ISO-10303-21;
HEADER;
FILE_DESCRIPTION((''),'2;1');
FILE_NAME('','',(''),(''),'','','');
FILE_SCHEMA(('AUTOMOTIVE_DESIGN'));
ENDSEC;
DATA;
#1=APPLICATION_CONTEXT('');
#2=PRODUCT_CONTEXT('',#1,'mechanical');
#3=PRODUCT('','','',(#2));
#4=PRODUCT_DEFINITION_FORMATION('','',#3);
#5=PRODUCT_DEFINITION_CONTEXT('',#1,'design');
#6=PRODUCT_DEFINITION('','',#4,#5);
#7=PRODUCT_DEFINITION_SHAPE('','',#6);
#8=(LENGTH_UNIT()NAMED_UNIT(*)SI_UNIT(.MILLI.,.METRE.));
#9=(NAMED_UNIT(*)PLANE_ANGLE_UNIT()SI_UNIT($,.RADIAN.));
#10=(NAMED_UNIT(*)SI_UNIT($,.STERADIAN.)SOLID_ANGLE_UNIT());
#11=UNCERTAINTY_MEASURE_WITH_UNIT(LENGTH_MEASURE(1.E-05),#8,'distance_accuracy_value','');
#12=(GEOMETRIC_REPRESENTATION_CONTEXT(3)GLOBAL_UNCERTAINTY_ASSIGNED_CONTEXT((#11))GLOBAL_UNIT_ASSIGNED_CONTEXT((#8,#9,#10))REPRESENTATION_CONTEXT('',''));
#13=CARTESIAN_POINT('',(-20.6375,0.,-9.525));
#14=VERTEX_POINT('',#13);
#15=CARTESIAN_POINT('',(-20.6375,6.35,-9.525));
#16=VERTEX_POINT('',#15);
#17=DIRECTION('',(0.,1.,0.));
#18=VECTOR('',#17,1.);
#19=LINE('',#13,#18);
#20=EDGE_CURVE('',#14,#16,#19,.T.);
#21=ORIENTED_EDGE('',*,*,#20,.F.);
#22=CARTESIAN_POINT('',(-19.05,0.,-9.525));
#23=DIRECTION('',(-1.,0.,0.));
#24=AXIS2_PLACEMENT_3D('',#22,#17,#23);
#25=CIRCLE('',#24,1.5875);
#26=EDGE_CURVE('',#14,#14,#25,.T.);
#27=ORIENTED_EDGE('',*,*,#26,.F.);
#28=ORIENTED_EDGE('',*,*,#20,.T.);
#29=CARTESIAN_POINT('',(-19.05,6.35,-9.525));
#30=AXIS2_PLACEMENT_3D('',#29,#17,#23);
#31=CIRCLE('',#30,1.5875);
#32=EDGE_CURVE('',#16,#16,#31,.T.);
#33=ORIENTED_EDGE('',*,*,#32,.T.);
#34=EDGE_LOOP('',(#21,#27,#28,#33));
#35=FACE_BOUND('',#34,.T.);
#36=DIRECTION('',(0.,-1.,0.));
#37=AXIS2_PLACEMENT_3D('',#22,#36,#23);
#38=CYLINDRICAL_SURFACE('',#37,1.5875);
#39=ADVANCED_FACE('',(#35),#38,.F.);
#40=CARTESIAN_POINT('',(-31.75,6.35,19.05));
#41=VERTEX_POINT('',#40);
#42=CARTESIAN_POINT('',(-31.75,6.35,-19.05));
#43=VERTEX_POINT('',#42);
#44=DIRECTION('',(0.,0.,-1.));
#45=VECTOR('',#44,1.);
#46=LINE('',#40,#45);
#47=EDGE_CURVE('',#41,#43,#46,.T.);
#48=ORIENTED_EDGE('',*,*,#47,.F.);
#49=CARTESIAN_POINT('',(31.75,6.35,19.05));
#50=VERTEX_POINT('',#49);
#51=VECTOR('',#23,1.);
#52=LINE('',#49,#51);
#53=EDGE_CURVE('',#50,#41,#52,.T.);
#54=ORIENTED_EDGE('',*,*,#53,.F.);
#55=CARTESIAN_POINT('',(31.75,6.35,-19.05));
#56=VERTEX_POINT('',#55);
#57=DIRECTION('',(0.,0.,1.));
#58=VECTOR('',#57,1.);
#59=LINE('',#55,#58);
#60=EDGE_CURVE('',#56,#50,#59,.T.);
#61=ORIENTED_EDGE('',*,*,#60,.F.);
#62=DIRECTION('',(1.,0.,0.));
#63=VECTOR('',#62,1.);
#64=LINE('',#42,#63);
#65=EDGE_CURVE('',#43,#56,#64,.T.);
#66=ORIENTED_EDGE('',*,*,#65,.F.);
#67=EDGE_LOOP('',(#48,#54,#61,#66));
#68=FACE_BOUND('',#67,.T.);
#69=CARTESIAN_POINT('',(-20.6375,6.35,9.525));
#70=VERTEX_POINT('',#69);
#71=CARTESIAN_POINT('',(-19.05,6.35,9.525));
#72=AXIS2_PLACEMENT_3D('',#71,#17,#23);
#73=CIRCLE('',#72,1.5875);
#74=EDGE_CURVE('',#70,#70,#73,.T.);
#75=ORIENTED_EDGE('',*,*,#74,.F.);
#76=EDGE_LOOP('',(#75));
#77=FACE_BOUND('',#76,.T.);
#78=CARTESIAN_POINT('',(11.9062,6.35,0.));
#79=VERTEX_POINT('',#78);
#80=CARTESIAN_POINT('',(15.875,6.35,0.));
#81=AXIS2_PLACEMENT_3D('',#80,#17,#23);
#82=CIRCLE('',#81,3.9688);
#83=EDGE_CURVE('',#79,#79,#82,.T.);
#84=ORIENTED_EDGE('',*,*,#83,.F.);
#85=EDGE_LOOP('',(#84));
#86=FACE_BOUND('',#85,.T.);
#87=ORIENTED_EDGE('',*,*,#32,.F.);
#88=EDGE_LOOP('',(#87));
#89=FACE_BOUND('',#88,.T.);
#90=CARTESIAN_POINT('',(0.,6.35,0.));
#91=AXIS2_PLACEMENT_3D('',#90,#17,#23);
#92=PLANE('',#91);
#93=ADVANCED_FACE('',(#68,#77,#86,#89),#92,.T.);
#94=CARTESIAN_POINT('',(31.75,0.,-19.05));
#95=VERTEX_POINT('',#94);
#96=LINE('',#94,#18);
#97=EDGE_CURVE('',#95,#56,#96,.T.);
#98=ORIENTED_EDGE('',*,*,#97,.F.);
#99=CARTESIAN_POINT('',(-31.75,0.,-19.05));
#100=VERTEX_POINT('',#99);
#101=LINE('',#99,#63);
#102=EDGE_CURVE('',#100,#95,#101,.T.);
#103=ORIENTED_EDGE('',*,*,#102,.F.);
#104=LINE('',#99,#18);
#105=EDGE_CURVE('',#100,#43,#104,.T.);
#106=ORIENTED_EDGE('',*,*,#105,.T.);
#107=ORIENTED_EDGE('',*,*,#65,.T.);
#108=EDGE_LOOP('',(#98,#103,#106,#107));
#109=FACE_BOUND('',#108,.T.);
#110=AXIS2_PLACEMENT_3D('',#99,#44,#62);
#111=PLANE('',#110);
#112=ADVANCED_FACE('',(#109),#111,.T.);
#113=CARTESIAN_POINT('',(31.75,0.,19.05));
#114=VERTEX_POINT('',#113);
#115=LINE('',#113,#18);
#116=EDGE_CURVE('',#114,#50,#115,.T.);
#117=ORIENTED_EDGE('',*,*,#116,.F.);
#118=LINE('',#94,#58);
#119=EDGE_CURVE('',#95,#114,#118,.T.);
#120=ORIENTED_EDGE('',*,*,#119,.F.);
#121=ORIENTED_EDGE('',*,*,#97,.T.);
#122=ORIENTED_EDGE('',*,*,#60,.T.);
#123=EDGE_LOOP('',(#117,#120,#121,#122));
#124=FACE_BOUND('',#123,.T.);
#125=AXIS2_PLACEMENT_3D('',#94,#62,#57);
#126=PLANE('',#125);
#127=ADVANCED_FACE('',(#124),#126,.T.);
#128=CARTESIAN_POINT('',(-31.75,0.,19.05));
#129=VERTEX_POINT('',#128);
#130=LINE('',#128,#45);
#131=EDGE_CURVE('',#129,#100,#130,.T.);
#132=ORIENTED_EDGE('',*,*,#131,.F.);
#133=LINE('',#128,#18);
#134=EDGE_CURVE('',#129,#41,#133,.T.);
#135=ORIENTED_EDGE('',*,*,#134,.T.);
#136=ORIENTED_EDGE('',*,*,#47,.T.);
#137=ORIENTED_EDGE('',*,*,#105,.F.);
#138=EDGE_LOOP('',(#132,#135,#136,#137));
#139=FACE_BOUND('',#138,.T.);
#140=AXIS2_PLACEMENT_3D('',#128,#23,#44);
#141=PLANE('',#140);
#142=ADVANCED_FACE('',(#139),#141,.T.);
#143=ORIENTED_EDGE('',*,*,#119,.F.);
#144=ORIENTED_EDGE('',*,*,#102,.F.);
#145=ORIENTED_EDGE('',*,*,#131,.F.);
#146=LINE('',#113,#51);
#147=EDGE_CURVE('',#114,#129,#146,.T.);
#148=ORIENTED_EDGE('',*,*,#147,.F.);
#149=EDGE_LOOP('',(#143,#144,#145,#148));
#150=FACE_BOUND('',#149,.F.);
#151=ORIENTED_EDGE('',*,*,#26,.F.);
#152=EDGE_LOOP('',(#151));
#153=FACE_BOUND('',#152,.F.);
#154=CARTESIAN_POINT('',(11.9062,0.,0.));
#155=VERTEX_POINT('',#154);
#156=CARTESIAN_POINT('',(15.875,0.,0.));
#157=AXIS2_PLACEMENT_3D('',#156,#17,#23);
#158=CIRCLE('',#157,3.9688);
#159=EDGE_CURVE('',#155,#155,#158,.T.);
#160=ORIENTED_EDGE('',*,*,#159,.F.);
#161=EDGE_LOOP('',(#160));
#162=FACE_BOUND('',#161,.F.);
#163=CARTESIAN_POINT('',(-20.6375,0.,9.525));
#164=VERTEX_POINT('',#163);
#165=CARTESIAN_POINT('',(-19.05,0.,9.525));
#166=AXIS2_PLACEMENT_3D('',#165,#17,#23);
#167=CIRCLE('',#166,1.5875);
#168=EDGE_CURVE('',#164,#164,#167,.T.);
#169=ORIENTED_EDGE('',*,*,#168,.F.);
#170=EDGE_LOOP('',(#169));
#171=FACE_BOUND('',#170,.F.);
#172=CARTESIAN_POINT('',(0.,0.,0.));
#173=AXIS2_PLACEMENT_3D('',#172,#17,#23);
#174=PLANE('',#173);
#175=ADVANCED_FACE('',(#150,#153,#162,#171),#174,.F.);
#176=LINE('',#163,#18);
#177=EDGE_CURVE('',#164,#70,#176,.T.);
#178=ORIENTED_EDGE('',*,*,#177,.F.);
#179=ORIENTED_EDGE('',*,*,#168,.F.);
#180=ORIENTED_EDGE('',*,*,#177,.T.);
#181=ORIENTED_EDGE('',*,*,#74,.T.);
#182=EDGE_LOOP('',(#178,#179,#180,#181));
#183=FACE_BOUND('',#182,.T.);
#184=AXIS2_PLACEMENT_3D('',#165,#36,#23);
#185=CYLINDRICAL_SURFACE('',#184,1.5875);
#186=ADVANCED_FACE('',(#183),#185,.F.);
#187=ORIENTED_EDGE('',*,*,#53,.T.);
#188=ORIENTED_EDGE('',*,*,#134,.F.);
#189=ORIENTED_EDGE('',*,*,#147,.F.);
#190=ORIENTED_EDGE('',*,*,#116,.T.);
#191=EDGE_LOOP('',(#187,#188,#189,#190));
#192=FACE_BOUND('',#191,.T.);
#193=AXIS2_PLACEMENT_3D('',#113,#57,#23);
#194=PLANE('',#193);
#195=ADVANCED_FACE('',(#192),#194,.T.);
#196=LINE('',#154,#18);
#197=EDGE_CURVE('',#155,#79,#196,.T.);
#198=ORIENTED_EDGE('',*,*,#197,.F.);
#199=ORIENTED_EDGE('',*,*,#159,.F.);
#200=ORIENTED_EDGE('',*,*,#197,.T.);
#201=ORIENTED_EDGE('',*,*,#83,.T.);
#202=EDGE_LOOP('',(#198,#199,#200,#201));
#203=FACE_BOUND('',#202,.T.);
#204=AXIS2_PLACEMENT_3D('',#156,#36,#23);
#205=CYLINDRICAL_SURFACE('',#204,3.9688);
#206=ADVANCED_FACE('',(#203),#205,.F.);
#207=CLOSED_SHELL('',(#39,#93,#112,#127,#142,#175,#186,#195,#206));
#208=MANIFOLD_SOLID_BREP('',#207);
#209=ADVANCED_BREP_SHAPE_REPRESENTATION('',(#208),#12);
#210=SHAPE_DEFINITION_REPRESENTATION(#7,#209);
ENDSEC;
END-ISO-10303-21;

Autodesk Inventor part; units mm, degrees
ref_plane "YZ Plane" through (0, 0, 0) normal (1, 0, 0) x (0, 1, 0)
ref_plane "XZ Plane" through (0, 0, 0) normal (0, 1, 0) x (-1, 0, 0)
ref_plane "XY Plane" through (0, 0, 0) normal (0, 0, 1) x (1, 0, 0)
sketch "Sketch1" plane through (0, 0, 0) normal (0, 1, 0) x (-1, 0, 0)
  line L0 (-31.75, 19.05) -> (31.75, 19.05)
  line L1 (31.75, 19.05) -> (31.75, -19.05)
  line L2 (31.75, -19.05) -> (-31.75, -19.05)
  line L3 (-31.75, -19.05) -> (-31.75, 19.05)
  line L4 (-31.75, 19.05) -> (31.75, -19.05) construction
  line L5 (31.75, 19.05) -> (-31.75, -19.05) construction
  line L6 (6.35, -19.05) -> (6.35, 19.05) construction
  line L7 (31.75, 0) -> (-31.75, 0) construction
  circle A0 centre (-15.875, 0) radius 3.9688
  line L8 (19.05, -19.05) -> (19.05, 0) construction
  line L9 (19.05, 0) -> (19.05, 19.05) construction
  circle A1 centre (19.05, -9.525) radius 1.5875
  circle A2 centre (19.05, 9.525) radius 1.5875
  point P0 (0, 0)
  dimension "d0" = 63.5
  dimension "d1" = 38.1
  dimension "d2" = 25.4
  dimension "d3" = 7.9375
  dimension "d4" = 22.225
  dimension "d7" = 12.7
  dimension "d8" = 3.175
extrude "Extrusion1" add sketch "Sketch1" along normal blind 6.35
properties part number "top bracket"
